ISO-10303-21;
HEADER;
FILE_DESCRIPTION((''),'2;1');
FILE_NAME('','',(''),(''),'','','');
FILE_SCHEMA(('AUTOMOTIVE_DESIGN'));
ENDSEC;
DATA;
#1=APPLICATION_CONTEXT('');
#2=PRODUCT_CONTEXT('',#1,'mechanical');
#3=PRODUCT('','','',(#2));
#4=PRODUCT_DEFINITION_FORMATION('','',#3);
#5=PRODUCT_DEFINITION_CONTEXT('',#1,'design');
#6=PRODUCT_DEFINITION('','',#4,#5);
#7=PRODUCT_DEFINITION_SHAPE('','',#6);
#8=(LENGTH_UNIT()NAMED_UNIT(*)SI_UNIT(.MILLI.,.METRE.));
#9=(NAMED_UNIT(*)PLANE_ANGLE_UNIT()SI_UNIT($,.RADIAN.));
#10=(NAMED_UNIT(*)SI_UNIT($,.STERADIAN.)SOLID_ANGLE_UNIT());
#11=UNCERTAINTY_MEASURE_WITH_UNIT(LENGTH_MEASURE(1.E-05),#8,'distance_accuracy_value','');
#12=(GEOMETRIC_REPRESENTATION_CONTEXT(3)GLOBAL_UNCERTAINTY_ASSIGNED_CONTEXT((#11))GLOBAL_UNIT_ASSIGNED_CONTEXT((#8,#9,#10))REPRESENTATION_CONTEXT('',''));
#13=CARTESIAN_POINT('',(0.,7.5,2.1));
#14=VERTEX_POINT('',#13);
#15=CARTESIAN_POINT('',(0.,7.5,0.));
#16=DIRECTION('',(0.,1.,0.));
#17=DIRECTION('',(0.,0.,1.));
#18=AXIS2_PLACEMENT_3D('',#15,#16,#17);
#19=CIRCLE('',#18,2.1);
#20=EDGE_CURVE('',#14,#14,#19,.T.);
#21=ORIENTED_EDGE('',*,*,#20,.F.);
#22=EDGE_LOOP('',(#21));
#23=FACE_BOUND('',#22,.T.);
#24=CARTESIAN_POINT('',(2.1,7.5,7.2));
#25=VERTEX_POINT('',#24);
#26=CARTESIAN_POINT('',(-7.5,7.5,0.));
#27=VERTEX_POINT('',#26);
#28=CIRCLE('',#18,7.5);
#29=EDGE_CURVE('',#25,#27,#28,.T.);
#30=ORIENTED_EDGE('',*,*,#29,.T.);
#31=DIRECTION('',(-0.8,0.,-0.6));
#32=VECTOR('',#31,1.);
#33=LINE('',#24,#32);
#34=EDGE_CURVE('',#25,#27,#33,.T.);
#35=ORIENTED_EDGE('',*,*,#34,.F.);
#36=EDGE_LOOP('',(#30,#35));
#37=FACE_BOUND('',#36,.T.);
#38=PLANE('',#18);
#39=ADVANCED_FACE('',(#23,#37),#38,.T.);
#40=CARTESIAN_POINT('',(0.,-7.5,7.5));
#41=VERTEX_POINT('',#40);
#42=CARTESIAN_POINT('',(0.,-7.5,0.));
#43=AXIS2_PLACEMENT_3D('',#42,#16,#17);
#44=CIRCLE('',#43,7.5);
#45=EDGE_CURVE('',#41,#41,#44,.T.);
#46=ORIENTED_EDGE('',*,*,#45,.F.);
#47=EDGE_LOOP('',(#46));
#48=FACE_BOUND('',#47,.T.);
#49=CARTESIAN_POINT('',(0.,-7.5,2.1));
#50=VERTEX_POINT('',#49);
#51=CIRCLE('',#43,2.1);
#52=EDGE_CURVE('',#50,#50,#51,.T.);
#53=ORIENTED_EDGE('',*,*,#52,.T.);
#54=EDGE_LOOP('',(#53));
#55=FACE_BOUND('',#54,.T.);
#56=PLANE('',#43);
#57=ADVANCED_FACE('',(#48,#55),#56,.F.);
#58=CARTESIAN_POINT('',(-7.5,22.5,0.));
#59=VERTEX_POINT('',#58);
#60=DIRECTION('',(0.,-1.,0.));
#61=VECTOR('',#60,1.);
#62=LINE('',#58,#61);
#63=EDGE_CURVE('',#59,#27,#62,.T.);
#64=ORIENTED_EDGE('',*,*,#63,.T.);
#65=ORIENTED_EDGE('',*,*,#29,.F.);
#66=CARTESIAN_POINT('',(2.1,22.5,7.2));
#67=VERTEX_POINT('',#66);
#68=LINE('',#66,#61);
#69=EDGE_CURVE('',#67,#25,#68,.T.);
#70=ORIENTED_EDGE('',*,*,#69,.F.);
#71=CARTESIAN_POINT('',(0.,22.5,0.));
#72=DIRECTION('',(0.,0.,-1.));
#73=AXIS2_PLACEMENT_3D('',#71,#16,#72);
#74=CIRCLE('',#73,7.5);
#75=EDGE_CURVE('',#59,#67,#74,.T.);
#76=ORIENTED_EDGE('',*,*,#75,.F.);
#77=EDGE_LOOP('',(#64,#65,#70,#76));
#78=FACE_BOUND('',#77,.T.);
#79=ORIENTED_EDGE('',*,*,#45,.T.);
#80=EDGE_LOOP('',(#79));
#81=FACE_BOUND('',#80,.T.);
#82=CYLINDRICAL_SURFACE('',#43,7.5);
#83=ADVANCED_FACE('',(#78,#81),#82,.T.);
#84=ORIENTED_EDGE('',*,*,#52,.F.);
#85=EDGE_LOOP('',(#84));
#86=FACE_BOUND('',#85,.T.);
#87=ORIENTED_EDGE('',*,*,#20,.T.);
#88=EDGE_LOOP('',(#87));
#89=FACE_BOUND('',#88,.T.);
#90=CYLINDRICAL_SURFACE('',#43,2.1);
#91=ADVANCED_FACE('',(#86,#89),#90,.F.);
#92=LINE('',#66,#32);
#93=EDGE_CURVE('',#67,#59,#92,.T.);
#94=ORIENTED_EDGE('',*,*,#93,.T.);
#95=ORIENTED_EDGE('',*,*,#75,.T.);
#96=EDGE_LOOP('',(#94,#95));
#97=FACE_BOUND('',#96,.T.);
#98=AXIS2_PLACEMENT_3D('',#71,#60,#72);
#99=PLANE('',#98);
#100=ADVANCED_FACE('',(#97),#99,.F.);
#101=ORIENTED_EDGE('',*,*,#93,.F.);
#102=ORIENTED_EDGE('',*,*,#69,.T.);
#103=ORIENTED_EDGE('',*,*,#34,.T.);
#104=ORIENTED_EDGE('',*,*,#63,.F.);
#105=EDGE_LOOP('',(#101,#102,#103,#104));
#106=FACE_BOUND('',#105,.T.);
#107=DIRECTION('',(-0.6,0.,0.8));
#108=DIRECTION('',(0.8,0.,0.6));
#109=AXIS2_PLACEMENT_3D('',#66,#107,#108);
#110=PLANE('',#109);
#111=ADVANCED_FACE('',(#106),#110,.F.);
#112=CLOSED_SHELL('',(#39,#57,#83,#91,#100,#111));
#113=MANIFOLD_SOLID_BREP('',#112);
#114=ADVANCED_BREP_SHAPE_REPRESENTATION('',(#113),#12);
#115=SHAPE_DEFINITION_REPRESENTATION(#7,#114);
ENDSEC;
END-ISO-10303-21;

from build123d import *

# Parameters (mm, degrees)
CROQUIS1_R              = 7.5
SALIENTE_EXTRUIR1_DEPTH = 7.5
SALIENTE_EXTRUIR2_START = 15
SALIENTE_EXTRUIR2_DEPTH = 15
CROQUIS3_R              = 2.1
CORTAR_EXTRUIR2_DEPTH   = 19.371173071


with BuildPart() as part:
    # Croquis1 → Saliente-Extruir1 (new, symmetric)
    with BuildSketch(Plane(origin=(0, 0, 0), x_dir=(1, 0, 0), z_dir=(0, 1, 0))):
        with Locations(Location((0, 0, 0), (0, 0, 270))):
            Circle(CROQUIS1_R)
    extrude(amount=SALIENTE_EXTRUIR1_DEPTH, both=True)

    # Croquis2 → Saliente-Extruir2 (add)
    with BuildSketch(Plane(origin=(0, 7.5, 0), x_dir=(1, 0, 0), z_dir=(0, 1, 0)).offset(SALIENTE_EXTRUIR2_START)):
        with BuildLine():
            Line((2.1, -7.2), (-7.5, 0))
            ThreePointArc((-7.5, 0), (-4.5, -6), (2.1, -7.2))
        make_face()
    extrude(amount=-SALIENTE_EXTRUIR2_DEPTH)

    # Croquis3 → Cortar-Extruir2 (cut, through all)
    with BuildSketch(Plane(origin=(0, 7.5, 0), x_dir=(1, 0, 0), z_dir=(0, 1, 0))):
        with Locations(Location((0, 0, 0), (0, 0, 270))):
            Circle(CROQUIS3_R)
    extrude(amount=-CORTAR_EXTRUIR2_DEPTH, mode=Mode.SUBTRACT)


solid = part.part
